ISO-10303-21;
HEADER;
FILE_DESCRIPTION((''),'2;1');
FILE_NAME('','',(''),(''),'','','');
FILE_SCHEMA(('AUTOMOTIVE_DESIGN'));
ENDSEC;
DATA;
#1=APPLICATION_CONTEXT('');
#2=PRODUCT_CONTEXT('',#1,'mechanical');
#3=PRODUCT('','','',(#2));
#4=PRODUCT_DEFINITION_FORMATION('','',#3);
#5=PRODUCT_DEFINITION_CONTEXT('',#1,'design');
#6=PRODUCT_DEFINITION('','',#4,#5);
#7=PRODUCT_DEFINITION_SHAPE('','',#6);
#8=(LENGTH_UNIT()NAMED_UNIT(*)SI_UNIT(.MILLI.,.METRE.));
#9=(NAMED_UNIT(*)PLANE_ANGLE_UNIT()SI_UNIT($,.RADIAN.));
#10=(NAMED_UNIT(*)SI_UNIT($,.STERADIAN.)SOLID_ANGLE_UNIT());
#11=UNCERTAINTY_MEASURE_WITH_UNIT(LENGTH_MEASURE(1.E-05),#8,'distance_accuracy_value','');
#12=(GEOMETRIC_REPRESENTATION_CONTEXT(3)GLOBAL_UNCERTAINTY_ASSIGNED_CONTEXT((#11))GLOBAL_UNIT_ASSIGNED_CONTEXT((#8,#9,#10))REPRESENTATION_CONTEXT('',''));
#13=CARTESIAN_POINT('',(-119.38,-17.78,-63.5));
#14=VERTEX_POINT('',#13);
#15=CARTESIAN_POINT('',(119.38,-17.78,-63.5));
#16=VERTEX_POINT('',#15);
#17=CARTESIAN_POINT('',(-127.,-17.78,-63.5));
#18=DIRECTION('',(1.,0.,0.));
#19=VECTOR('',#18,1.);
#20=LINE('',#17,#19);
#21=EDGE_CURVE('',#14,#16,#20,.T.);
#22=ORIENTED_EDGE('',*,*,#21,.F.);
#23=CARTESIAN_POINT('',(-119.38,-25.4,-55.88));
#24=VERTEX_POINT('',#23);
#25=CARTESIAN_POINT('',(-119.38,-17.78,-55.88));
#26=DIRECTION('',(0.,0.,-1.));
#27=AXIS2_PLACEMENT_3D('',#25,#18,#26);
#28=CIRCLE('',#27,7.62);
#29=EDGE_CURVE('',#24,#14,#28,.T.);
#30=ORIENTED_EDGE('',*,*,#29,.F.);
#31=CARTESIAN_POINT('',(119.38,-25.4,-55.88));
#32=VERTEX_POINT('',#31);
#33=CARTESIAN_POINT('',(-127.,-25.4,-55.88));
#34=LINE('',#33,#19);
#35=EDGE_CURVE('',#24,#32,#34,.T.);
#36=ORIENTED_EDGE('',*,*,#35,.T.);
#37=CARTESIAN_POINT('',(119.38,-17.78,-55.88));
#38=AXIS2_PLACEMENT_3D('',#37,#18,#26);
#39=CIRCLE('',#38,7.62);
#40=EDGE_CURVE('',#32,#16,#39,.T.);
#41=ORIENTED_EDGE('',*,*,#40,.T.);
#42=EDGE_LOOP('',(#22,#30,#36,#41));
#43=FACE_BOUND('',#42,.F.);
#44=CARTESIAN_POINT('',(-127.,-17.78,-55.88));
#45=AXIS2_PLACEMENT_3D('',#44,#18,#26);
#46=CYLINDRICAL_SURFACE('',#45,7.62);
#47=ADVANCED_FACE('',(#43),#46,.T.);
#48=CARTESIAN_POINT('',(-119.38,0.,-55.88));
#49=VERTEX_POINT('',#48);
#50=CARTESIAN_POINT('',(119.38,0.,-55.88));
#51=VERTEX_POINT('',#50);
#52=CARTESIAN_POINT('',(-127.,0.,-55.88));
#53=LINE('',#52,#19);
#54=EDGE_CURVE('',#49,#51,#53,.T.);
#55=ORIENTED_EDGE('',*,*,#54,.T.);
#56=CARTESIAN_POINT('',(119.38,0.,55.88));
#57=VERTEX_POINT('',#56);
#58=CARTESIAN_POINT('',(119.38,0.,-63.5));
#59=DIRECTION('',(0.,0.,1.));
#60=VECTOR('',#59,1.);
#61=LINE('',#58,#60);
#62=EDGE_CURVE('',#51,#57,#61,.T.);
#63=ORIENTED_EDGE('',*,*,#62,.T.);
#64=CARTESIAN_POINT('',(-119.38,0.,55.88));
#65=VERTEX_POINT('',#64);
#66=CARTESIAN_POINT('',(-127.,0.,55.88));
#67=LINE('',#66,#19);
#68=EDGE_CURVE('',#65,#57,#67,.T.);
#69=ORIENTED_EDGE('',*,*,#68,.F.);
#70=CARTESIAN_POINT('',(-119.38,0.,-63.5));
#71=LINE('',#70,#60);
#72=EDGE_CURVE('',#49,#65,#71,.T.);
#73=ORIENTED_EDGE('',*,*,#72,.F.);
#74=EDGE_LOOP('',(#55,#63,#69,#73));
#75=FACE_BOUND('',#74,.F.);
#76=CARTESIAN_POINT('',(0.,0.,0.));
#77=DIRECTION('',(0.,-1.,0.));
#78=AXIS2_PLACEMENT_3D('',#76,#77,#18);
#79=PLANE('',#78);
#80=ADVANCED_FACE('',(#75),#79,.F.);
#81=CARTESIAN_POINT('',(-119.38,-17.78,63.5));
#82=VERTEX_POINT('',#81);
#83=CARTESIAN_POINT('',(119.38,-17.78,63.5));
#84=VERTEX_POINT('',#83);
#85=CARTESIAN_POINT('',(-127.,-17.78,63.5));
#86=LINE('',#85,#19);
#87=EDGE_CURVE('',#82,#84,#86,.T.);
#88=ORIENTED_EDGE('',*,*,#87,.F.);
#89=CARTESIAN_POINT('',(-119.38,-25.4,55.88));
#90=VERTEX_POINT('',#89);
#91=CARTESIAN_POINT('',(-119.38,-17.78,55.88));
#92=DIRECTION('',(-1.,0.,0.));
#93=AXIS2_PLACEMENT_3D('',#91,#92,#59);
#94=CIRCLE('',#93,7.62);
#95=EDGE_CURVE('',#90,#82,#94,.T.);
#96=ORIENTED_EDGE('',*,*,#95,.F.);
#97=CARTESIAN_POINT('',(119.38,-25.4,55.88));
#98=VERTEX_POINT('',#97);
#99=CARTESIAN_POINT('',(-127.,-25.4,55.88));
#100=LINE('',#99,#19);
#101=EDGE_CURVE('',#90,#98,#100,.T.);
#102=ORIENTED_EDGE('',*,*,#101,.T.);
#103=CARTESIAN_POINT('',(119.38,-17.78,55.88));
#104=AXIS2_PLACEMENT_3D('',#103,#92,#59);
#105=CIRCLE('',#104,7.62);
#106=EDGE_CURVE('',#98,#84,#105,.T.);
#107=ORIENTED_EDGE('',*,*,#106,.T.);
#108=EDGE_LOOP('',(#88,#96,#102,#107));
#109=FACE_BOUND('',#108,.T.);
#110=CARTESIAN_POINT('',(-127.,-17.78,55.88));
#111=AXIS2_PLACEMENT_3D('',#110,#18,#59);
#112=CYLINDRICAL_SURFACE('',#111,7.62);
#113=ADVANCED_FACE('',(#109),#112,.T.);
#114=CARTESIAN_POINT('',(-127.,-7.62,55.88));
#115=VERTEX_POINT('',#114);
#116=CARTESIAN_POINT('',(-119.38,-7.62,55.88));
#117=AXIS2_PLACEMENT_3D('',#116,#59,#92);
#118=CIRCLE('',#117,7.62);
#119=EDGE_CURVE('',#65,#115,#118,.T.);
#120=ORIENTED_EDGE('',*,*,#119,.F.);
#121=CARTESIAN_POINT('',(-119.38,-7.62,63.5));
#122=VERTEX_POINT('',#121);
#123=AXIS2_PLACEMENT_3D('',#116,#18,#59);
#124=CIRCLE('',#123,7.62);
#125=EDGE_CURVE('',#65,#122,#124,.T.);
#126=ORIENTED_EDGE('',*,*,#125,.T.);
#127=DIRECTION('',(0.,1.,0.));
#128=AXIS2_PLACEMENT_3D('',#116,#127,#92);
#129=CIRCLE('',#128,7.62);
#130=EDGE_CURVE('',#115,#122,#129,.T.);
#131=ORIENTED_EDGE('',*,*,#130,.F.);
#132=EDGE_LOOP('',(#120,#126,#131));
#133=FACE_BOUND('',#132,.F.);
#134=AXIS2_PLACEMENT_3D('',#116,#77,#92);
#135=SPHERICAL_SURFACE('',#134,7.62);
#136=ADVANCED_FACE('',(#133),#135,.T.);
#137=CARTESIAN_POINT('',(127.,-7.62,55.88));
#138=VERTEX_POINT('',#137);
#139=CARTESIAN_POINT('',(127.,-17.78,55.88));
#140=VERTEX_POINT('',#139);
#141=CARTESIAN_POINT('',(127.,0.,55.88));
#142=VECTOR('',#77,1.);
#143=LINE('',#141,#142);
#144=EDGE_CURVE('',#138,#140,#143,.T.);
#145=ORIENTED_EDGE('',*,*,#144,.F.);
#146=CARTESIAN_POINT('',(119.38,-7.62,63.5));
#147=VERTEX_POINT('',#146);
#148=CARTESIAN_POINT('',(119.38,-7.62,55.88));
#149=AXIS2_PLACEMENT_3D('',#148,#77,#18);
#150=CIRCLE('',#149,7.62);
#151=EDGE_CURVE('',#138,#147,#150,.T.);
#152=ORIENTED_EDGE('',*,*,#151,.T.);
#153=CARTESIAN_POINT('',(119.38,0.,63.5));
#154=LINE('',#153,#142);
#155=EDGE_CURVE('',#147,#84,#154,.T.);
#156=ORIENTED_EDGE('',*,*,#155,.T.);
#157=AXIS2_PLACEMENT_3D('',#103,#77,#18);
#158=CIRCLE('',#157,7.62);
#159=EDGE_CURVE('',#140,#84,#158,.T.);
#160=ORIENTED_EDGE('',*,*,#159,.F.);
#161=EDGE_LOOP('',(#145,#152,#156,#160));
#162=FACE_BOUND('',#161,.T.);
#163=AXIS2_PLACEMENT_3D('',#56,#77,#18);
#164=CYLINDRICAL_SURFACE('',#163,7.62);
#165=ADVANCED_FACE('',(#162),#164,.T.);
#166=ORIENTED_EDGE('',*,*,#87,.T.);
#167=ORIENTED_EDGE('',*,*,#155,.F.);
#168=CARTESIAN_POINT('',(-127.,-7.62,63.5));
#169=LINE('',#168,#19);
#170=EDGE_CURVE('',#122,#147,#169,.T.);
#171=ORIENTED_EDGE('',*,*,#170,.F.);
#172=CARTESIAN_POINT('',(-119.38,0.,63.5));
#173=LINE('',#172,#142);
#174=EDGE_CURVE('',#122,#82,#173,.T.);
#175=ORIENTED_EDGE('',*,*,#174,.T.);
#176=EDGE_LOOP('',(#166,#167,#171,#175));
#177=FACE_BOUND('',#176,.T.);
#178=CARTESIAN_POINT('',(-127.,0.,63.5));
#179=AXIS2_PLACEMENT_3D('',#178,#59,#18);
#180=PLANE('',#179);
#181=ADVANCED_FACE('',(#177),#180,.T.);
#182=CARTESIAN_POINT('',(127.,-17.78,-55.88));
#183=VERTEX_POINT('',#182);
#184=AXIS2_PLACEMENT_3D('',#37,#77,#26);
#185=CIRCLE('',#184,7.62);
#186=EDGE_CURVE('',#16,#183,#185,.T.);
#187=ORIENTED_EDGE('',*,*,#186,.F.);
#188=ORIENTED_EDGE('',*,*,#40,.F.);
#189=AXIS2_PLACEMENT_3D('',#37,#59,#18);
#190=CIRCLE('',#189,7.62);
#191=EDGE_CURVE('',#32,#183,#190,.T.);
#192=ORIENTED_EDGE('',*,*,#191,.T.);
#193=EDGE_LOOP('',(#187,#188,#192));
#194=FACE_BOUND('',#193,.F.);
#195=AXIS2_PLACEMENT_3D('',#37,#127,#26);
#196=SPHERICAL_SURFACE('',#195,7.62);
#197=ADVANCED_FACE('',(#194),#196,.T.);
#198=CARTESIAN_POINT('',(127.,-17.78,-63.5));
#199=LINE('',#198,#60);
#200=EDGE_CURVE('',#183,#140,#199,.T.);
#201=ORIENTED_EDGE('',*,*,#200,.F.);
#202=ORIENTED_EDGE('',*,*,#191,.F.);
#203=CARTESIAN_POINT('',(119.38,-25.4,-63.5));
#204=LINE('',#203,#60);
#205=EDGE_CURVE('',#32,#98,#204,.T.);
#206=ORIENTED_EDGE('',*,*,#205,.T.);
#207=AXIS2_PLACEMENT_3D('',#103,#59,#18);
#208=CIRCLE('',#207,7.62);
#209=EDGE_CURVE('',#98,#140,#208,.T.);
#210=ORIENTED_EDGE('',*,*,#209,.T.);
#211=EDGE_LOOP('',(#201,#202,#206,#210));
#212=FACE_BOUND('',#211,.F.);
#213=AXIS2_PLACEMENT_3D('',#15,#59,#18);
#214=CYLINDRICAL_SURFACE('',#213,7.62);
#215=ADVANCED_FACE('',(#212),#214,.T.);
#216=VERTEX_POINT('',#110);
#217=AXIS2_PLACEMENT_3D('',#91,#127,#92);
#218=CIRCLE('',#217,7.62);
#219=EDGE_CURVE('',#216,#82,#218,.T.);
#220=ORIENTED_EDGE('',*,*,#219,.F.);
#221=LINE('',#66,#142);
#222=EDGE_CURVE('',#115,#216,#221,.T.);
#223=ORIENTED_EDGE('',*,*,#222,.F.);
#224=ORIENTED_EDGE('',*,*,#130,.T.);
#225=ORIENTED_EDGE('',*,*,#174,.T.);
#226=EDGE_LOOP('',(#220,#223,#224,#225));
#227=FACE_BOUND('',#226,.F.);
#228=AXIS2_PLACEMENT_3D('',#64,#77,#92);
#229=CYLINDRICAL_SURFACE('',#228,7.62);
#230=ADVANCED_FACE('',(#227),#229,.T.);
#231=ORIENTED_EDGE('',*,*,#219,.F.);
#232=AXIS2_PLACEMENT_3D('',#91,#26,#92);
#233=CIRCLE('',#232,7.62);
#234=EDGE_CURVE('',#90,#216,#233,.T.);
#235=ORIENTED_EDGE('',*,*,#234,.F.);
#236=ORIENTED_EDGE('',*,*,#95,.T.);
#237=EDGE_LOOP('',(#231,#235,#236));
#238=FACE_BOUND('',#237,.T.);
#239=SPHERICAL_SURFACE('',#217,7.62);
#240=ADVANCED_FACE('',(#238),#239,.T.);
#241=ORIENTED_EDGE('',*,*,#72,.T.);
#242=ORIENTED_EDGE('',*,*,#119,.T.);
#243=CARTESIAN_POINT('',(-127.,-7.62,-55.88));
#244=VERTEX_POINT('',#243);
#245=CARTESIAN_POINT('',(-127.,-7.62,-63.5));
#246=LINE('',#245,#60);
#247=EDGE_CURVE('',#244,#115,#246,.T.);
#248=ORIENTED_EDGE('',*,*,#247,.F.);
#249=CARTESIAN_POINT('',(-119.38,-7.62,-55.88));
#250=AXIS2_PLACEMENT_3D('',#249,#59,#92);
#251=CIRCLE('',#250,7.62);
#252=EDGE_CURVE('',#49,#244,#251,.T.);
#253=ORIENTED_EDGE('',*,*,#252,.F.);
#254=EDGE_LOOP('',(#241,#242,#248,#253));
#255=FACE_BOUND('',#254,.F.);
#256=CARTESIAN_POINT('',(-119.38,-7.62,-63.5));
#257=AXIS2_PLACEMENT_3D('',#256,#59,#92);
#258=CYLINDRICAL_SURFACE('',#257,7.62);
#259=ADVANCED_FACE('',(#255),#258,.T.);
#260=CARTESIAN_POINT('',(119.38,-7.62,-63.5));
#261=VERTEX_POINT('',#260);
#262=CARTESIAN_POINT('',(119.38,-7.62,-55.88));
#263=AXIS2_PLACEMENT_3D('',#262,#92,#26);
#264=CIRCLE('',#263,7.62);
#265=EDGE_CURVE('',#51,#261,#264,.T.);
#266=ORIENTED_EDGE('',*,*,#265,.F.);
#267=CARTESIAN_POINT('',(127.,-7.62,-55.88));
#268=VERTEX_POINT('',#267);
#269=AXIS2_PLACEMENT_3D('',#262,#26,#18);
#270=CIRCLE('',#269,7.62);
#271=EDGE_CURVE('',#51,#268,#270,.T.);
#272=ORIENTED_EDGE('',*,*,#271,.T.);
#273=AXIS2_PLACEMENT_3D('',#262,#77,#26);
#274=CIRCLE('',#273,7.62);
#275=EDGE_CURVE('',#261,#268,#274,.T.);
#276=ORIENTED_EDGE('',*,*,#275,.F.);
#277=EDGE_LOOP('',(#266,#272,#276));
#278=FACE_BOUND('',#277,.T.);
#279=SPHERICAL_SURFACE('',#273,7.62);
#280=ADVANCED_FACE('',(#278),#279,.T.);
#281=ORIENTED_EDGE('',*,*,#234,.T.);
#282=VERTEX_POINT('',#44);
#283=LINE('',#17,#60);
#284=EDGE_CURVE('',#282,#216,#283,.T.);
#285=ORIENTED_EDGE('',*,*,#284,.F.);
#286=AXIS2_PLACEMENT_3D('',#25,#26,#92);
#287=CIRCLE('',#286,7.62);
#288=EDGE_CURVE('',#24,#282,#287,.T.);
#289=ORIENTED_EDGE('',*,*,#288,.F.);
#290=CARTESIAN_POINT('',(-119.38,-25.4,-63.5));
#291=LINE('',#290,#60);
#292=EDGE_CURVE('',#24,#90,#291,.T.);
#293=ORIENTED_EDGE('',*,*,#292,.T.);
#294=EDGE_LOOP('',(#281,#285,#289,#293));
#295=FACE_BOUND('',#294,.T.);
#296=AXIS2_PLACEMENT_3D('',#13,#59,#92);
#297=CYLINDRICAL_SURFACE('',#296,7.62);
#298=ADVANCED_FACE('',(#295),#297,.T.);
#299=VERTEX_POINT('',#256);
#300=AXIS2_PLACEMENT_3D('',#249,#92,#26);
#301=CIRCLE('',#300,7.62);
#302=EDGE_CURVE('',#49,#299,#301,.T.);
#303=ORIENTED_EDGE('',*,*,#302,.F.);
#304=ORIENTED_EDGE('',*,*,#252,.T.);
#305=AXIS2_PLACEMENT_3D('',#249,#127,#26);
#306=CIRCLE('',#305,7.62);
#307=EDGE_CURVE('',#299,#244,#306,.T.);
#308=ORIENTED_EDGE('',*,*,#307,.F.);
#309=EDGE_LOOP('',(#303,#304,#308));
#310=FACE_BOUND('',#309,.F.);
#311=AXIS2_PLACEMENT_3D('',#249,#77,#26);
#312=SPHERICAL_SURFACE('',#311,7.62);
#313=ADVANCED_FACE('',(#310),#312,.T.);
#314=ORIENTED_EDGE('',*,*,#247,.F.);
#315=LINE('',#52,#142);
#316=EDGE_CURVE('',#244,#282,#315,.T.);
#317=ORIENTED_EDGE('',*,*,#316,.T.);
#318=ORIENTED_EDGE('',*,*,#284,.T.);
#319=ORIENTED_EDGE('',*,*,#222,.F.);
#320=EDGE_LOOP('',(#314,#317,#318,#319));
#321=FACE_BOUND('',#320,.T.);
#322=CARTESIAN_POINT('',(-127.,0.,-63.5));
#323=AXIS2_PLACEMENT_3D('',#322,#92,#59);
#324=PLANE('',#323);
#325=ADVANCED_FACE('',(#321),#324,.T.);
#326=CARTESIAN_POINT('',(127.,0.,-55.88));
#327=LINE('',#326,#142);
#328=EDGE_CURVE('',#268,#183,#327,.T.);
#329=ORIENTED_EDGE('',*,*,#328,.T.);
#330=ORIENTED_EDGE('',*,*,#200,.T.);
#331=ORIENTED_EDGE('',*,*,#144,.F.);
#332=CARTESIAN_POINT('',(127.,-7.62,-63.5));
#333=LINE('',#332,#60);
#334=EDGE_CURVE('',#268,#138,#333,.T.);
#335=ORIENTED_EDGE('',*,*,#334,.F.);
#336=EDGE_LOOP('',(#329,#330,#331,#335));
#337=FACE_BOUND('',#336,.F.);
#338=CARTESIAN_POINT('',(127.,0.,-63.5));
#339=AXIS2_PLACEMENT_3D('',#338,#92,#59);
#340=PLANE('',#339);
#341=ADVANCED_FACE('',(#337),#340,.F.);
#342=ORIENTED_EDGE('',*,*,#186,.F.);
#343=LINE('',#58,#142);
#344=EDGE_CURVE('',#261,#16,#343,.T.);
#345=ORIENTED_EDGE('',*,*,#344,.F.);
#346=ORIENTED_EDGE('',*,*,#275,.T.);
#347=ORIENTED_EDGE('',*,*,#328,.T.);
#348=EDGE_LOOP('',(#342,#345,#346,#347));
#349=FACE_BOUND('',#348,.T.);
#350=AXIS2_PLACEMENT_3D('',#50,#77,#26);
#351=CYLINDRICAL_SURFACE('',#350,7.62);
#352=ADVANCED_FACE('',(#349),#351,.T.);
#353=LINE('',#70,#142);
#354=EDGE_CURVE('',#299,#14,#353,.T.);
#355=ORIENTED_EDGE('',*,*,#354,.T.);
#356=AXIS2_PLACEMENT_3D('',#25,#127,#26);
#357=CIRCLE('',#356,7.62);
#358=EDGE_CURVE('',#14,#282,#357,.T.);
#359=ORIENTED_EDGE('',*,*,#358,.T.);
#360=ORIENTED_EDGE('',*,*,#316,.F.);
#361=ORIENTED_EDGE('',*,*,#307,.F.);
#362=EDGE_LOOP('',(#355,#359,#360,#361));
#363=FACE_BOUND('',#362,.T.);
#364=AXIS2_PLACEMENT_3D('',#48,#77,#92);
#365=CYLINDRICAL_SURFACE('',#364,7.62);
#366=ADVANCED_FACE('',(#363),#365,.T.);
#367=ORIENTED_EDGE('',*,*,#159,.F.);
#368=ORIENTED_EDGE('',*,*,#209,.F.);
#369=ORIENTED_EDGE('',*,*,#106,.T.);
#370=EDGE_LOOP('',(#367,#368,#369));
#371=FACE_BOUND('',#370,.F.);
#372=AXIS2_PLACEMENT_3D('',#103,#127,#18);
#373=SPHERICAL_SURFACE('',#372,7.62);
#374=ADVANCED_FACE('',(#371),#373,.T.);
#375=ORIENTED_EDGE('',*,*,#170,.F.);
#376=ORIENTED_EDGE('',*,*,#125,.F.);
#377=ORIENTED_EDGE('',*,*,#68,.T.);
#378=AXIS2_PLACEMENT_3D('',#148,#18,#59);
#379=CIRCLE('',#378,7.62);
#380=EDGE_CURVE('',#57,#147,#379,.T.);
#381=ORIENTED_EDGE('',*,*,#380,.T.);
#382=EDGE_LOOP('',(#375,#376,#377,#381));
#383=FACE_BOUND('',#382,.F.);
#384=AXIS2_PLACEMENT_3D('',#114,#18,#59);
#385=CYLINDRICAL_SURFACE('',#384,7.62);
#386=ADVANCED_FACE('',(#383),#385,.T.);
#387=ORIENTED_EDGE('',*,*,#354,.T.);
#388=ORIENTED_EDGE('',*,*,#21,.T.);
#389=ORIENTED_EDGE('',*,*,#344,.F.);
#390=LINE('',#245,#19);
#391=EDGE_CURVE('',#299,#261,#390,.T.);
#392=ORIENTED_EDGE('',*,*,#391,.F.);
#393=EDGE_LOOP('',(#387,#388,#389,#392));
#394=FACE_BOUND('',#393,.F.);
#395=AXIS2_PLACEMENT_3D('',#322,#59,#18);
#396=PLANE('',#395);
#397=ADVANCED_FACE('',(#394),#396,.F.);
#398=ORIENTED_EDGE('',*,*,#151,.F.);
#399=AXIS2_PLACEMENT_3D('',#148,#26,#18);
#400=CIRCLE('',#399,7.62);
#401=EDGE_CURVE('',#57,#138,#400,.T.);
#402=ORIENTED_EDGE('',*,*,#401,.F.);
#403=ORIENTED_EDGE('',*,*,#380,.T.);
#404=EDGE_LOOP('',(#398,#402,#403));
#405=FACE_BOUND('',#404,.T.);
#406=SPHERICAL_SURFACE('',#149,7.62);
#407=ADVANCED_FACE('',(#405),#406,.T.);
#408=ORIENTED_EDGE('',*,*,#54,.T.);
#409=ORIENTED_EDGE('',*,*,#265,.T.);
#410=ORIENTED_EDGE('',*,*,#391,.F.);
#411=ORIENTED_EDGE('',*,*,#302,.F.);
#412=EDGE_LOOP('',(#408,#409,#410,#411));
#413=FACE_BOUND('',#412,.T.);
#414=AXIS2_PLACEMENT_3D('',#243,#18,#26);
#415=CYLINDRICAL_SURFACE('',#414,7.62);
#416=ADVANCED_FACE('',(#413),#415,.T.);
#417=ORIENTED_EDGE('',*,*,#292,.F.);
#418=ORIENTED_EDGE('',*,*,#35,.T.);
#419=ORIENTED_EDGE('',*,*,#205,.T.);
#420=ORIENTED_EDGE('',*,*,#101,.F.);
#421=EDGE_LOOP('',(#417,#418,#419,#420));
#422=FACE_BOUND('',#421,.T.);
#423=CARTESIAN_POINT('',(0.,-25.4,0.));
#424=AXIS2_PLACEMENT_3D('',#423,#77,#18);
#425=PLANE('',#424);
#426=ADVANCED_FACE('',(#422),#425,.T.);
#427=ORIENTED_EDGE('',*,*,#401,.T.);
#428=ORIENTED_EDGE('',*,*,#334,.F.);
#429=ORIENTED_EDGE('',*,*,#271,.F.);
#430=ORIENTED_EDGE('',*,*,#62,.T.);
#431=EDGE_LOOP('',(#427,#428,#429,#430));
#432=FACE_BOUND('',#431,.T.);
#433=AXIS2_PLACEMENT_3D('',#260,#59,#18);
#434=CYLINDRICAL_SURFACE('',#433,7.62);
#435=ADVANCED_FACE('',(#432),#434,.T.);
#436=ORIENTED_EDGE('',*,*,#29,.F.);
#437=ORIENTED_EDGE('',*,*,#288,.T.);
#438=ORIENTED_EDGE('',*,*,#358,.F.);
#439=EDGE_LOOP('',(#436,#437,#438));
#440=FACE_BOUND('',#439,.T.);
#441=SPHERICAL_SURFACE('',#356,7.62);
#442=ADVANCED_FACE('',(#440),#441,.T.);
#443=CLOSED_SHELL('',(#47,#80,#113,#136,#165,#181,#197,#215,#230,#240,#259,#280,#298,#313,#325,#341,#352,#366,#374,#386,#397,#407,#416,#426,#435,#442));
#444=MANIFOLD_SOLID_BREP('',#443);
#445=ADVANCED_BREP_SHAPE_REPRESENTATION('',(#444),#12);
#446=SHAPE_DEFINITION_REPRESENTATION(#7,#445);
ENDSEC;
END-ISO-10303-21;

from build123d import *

# Parameters (mm, degrees)
F0_W     = 254
F0_H     = 127
F1_DEPTH = 25.4
F2_R     = 7.62


with BuildPart() as f1:
    # F0 (on Front) → F1 (new body)
    with BuildSketch(Plane.XZ):
        Rectangle(F0_W, F0_H)
    extrude(amount=F1_DEPTH)

    # F2
    f2_edges = [f1.edges().sort_by_distance(p)[0] for p in [
        (-127, -12.7, -63.5),
        (127, -12.7, -63.5),
        (0, 0, -63.5),
        (0, -25.4, -63.5),
        (-127, -12.7, 63.5),
        (-127, 0, 0),
        (-127, -25.4, 0),
        (127, -12.7, 63.5),
        (127, 0, 0),
        (127, -25.4, 0),
        (0, 0, 63.5),
        (0, -25.4, 63.5),
    ]]
    fillet(f2_edges, radius=F2_R)


solid = f1.part
